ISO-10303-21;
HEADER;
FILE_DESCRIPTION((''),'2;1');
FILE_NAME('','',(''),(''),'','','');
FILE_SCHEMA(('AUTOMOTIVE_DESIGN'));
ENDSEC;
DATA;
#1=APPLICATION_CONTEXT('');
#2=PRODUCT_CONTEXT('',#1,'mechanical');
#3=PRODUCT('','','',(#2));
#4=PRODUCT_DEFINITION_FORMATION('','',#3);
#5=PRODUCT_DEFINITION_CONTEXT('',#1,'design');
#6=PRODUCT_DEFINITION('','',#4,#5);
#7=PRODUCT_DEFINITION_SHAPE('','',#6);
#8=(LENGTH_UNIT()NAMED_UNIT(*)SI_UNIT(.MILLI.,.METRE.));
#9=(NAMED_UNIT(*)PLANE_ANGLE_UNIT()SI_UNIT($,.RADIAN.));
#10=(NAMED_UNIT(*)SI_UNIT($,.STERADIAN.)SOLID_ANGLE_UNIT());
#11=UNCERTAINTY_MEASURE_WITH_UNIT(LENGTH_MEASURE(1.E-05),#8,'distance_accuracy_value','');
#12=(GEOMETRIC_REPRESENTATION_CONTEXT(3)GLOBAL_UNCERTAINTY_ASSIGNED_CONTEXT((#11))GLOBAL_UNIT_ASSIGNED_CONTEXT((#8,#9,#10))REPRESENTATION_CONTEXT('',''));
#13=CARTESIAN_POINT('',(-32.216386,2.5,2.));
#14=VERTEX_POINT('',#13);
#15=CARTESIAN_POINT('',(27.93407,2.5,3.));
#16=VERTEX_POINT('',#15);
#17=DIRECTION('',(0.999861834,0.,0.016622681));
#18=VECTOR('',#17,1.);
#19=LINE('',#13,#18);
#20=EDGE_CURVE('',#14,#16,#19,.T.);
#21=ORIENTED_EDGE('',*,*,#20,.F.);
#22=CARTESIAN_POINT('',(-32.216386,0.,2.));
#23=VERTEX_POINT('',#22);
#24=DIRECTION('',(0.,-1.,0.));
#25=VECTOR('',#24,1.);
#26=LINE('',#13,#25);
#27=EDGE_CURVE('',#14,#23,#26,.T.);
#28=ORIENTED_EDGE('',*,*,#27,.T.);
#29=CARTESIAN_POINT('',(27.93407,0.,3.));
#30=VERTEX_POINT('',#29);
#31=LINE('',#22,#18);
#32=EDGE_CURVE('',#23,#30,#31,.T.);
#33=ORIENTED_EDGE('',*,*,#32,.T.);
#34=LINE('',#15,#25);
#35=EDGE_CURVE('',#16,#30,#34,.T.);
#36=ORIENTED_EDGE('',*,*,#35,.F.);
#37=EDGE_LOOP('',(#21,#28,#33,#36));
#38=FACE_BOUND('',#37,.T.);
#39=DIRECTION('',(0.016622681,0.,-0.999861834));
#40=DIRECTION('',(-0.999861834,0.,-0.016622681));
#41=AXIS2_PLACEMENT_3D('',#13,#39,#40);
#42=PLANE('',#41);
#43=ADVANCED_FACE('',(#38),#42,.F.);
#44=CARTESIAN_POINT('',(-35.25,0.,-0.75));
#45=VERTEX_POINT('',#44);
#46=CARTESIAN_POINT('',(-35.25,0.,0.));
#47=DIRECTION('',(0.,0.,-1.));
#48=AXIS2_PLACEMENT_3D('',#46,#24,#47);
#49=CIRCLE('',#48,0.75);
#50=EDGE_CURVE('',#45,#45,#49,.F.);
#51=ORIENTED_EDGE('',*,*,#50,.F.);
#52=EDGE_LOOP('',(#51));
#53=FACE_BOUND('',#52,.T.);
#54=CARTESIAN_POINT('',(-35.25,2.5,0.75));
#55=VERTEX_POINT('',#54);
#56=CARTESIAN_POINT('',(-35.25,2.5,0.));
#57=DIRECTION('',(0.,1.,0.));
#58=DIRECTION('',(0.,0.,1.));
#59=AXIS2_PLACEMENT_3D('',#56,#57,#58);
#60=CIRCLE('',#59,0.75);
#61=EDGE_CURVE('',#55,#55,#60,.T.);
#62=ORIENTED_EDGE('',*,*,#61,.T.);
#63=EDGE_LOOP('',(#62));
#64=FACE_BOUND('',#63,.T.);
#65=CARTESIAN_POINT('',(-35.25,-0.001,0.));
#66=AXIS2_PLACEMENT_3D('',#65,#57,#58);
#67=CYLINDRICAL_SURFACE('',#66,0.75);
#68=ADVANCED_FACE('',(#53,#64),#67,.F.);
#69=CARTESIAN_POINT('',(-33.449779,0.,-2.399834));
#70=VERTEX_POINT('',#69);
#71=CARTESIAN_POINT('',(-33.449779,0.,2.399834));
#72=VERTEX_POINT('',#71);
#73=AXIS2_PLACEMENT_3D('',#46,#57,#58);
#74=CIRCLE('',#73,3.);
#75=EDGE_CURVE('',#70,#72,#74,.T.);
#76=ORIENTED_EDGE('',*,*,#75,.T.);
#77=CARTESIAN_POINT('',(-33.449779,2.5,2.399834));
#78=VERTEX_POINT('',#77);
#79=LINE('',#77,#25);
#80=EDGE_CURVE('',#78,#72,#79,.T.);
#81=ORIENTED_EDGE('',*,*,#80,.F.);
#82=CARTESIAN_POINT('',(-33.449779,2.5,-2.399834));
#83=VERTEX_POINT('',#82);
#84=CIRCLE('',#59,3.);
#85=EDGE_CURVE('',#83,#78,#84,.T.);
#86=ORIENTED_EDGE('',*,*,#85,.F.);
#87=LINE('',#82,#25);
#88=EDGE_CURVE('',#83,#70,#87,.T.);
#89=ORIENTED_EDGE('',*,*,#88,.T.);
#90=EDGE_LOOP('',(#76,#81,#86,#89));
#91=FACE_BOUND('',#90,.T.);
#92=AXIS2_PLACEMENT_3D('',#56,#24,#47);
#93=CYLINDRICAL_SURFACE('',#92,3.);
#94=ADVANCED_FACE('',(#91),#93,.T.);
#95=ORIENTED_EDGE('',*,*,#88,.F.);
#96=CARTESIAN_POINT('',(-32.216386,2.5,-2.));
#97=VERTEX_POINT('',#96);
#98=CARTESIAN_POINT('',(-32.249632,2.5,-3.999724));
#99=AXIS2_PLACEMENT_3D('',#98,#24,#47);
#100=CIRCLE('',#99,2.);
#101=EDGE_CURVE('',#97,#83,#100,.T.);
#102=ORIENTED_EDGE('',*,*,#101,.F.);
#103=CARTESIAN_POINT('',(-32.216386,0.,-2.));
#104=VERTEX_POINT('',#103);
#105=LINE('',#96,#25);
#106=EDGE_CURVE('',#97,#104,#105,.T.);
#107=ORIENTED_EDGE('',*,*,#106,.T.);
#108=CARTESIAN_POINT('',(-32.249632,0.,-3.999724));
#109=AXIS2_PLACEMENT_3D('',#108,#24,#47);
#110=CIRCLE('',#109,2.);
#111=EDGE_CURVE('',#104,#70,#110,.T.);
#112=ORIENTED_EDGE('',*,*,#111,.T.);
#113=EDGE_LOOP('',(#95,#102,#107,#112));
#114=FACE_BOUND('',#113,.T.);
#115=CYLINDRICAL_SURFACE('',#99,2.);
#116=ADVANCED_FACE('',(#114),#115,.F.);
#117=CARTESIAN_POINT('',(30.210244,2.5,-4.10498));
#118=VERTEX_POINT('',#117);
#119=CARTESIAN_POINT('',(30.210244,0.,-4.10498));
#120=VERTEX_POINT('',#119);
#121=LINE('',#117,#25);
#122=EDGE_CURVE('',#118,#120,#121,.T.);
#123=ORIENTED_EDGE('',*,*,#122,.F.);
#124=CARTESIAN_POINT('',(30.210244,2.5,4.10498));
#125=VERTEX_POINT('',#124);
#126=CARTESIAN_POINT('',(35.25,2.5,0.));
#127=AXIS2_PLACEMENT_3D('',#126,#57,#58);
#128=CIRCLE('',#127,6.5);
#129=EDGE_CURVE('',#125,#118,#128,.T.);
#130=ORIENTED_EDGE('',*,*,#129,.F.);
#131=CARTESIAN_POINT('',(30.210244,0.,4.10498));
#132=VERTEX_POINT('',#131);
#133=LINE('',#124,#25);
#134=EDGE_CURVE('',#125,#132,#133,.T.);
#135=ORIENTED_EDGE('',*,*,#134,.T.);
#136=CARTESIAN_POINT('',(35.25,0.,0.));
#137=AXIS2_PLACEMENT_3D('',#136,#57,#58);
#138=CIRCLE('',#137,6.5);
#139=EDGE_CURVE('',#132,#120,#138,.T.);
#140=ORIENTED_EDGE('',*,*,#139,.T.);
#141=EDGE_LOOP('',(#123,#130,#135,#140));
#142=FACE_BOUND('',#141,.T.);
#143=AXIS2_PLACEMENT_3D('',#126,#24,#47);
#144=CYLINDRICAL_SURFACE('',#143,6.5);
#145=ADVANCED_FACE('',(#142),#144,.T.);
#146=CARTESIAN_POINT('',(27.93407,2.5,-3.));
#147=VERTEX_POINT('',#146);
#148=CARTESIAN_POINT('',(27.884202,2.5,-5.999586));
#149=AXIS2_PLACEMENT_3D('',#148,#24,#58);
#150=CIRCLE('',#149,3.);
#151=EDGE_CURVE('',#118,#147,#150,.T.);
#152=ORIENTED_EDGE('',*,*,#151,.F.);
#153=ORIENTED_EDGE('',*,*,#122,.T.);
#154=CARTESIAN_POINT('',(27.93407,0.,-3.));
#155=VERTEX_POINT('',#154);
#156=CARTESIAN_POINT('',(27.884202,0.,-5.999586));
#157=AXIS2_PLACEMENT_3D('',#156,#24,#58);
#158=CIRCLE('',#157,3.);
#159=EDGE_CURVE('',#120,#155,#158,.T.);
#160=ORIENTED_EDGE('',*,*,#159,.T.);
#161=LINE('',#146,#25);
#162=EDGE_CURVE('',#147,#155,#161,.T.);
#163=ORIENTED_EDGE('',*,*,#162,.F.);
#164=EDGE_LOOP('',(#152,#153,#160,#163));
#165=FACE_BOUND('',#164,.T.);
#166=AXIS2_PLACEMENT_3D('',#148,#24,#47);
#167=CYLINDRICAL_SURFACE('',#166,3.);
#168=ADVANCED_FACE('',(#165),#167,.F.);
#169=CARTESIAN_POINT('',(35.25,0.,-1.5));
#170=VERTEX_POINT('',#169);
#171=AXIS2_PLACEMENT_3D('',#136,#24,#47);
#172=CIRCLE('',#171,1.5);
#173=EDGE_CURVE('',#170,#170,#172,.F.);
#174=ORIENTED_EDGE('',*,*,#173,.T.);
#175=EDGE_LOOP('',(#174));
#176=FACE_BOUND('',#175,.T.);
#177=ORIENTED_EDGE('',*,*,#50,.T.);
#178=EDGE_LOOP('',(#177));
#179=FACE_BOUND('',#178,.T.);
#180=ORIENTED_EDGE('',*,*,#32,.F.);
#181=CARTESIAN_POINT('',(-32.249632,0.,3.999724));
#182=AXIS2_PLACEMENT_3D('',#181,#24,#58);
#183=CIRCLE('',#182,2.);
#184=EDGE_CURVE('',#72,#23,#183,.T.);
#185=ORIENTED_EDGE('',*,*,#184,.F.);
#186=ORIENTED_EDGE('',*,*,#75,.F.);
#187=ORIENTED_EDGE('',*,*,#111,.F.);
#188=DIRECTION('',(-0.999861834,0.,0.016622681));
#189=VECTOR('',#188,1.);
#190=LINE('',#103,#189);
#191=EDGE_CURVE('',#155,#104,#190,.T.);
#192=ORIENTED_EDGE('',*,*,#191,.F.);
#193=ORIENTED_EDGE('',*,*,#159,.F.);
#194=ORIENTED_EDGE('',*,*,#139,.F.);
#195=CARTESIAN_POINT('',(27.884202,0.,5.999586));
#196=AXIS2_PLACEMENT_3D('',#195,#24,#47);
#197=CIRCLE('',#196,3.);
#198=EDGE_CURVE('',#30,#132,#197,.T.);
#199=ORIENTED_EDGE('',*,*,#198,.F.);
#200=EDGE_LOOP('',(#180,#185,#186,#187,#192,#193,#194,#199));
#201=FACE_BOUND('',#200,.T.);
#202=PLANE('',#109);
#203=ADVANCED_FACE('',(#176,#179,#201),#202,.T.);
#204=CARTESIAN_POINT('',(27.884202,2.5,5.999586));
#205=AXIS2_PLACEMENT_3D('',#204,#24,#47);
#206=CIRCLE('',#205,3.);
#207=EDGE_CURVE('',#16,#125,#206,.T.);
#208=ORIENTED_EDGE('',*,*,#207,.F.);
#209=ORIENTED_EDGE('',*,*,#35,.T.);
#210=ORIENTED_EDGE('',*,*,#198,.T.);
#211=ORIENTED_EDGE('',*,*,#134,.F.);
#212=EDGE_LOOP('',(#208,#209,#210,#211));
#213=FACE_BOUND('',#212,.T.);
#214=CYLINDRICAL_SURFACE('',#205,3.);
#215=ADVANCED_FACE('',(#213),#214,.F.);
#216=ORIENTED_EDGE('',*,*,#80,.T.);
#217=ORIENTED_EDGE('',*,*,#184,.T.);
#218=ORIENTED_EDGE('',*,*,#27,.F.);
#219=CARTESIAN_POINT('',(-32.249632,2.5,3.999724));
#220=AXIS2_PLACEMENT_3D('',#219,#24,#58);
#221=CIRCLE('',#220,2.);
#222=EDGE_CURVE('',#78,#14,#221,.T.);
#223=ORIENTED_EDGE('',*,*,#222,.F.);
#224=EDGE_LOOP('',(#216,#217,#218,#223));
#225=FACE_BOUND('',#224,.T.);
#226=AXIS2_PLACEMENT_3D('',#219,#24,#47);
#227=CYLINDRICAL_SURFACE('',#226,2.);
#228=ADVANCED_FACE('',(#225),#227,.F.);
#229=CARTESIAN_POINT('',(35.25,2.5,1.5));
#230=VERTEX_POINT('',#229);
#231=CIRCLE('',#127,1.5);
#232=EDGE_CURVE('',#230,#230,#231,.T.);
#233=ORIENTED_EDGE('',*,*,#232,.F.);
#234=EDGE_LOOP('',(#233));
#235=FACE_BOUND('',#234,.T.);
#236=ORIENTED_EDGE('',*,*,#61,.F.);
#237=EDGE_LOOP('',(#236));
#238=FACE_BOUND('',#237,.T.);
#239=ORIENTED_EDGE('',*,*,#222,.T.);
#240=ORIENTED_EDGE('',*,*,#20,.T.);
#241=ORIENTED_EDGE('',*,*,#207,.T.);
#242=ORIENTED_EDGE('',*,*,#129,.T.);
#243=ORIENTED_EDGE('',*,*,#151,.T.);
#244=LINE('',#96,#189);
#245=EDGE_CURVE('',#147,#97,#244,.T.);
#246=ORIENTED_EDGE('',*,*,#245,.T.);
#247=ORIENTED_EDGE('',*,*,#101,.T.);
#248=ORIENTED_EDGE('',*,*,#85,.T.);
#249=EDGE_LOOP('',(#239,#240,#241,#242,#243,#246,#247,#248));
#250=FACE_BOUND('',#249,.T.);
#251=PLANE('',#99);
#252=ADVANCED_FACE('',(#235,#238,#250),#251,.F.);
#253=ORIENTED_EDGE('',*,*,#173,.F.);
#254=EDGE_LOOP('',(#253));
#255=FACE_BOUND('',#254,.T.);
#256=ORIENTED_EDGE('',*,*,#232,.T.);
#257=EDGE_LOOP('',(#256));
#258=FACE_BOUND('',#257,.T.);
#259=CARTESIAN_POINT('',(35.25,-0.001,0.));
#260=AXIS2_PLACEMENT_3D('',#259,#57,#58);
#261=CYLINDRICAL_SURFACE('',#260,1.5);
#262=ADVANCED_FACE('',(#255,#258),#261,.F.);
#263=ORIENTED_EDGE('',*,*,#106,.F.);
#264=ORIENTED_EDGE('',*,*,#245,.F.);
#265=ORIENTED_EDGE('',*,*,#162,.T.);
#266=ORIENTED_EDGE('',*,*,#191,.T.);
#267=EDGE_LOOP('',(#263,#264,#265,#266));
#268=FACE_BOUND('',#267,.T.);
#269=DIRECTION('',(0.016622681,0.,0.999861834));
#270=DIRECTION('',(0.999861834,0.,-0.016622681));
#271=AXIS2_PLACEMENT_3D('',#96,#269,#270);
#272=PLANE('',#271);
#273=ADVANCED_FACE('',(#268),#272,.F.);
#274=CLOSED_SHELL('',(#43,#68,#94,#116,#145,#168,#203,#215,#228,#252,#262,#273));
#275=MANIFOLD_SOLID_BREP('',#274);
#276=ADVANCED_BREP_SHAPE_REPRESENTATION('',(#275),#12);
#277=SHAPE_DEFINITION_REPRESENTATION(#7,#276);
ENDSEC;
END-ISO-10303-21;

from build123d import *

# Parameters (mm, degrees)
BOSS_EXTRUDE1_DEPTH = 2.5
CUT_EXTRUDE1_REACH  = 4.5
SKETCH2_R           = 0.75
SKETCH2_R_2         = 1.5


with BuildPart() as part:
    # Sketch1 → Boss-Extrude1 (new body)
    with BuildSketch(Plane(origin=(0, 0, 0), x_dir=(1, 0, 0), z_dir=(0, 1, 0))):
        with BuildLine():
            Line((-32.216386231, 2), (27.934070474, 3))
            ThreePointArc((27.934070474, 3), (29.194347957, 3.300786008), (30.210243769, 4.104979553))
            ThreePointArc((30.210243769, 4.104979553), (41.75, 0), (30.210243769, -4.104979553))
            ThreePointArc((30.210243769, -4.104979553), (29.194347957, -3.300786008), (27.934070474, -3))
            Line((27.934070474, -3), (-32.216386231, -2))
            ThreePointArc((-32.216386231, -2), (-32.86638269, -2.097194277), (-33.449778955, -2.3998342))
            ThreePointArc((-33.449778955, -2.3998342), (-38.25, 0), (-33.449778955, 2.3998342))
            ThreePointArc((-33.449778955, 2.3998342), (-32.86638269, 2.097194277), (-32.216386231, 2))
        make_face()
    extrude(amount=BOSS_EXTRUDE1_DEPTH)

    # Sketch2 → Cut-Extrude1 (cut, up to next)
    with BuildSketch(Plane(origin=(0, 2.5, 0), x_dir=(1, 0, 0), z_dir=(0, 1, 0)), mode=Mode.PRIVATE) as cut_extrude1_sk1:
        with Locations((-35.25, 0)):
            Circle(SKETCH2_R)
    cut_extrude1_tool1 = extrude(cut_extrude1_sk1.sketch, amount=-CUT_EXTRUDE1_REACH, mode=Mode.PRIVATE) & part.part
    add(cut_extrude1_tool1.solids().sort_by_distance((-35.25, 2.5, 0))[0], mode=Mode.SUBTRACT)
    # Sketch2 → Cut-Extrude1 (cut, up to next)
    with BuildSketch(Plane(origin=(0, 2.5, 0), x_dir=(1, 0, 0), z_dir=(0, 1, 0)), mode=Mode.PRIVATE) as cut_extrude1_sk2:
        with Locations((35.25, 0)):
            Circle(SKETCH2_R_2)
    cut_extrude1_tool2 = extrude(cut_extrude1_sk2.sketch, amount=-CUT_EXTRUDE1_REACH, mode=Mode.PRIVATE) & part.part
    add(cut_extrude1_tool2.solids().sort_by_distance((35.25, 2.5, 0))[0], mode=Mode.SUBTRACT)


solid = part.part
